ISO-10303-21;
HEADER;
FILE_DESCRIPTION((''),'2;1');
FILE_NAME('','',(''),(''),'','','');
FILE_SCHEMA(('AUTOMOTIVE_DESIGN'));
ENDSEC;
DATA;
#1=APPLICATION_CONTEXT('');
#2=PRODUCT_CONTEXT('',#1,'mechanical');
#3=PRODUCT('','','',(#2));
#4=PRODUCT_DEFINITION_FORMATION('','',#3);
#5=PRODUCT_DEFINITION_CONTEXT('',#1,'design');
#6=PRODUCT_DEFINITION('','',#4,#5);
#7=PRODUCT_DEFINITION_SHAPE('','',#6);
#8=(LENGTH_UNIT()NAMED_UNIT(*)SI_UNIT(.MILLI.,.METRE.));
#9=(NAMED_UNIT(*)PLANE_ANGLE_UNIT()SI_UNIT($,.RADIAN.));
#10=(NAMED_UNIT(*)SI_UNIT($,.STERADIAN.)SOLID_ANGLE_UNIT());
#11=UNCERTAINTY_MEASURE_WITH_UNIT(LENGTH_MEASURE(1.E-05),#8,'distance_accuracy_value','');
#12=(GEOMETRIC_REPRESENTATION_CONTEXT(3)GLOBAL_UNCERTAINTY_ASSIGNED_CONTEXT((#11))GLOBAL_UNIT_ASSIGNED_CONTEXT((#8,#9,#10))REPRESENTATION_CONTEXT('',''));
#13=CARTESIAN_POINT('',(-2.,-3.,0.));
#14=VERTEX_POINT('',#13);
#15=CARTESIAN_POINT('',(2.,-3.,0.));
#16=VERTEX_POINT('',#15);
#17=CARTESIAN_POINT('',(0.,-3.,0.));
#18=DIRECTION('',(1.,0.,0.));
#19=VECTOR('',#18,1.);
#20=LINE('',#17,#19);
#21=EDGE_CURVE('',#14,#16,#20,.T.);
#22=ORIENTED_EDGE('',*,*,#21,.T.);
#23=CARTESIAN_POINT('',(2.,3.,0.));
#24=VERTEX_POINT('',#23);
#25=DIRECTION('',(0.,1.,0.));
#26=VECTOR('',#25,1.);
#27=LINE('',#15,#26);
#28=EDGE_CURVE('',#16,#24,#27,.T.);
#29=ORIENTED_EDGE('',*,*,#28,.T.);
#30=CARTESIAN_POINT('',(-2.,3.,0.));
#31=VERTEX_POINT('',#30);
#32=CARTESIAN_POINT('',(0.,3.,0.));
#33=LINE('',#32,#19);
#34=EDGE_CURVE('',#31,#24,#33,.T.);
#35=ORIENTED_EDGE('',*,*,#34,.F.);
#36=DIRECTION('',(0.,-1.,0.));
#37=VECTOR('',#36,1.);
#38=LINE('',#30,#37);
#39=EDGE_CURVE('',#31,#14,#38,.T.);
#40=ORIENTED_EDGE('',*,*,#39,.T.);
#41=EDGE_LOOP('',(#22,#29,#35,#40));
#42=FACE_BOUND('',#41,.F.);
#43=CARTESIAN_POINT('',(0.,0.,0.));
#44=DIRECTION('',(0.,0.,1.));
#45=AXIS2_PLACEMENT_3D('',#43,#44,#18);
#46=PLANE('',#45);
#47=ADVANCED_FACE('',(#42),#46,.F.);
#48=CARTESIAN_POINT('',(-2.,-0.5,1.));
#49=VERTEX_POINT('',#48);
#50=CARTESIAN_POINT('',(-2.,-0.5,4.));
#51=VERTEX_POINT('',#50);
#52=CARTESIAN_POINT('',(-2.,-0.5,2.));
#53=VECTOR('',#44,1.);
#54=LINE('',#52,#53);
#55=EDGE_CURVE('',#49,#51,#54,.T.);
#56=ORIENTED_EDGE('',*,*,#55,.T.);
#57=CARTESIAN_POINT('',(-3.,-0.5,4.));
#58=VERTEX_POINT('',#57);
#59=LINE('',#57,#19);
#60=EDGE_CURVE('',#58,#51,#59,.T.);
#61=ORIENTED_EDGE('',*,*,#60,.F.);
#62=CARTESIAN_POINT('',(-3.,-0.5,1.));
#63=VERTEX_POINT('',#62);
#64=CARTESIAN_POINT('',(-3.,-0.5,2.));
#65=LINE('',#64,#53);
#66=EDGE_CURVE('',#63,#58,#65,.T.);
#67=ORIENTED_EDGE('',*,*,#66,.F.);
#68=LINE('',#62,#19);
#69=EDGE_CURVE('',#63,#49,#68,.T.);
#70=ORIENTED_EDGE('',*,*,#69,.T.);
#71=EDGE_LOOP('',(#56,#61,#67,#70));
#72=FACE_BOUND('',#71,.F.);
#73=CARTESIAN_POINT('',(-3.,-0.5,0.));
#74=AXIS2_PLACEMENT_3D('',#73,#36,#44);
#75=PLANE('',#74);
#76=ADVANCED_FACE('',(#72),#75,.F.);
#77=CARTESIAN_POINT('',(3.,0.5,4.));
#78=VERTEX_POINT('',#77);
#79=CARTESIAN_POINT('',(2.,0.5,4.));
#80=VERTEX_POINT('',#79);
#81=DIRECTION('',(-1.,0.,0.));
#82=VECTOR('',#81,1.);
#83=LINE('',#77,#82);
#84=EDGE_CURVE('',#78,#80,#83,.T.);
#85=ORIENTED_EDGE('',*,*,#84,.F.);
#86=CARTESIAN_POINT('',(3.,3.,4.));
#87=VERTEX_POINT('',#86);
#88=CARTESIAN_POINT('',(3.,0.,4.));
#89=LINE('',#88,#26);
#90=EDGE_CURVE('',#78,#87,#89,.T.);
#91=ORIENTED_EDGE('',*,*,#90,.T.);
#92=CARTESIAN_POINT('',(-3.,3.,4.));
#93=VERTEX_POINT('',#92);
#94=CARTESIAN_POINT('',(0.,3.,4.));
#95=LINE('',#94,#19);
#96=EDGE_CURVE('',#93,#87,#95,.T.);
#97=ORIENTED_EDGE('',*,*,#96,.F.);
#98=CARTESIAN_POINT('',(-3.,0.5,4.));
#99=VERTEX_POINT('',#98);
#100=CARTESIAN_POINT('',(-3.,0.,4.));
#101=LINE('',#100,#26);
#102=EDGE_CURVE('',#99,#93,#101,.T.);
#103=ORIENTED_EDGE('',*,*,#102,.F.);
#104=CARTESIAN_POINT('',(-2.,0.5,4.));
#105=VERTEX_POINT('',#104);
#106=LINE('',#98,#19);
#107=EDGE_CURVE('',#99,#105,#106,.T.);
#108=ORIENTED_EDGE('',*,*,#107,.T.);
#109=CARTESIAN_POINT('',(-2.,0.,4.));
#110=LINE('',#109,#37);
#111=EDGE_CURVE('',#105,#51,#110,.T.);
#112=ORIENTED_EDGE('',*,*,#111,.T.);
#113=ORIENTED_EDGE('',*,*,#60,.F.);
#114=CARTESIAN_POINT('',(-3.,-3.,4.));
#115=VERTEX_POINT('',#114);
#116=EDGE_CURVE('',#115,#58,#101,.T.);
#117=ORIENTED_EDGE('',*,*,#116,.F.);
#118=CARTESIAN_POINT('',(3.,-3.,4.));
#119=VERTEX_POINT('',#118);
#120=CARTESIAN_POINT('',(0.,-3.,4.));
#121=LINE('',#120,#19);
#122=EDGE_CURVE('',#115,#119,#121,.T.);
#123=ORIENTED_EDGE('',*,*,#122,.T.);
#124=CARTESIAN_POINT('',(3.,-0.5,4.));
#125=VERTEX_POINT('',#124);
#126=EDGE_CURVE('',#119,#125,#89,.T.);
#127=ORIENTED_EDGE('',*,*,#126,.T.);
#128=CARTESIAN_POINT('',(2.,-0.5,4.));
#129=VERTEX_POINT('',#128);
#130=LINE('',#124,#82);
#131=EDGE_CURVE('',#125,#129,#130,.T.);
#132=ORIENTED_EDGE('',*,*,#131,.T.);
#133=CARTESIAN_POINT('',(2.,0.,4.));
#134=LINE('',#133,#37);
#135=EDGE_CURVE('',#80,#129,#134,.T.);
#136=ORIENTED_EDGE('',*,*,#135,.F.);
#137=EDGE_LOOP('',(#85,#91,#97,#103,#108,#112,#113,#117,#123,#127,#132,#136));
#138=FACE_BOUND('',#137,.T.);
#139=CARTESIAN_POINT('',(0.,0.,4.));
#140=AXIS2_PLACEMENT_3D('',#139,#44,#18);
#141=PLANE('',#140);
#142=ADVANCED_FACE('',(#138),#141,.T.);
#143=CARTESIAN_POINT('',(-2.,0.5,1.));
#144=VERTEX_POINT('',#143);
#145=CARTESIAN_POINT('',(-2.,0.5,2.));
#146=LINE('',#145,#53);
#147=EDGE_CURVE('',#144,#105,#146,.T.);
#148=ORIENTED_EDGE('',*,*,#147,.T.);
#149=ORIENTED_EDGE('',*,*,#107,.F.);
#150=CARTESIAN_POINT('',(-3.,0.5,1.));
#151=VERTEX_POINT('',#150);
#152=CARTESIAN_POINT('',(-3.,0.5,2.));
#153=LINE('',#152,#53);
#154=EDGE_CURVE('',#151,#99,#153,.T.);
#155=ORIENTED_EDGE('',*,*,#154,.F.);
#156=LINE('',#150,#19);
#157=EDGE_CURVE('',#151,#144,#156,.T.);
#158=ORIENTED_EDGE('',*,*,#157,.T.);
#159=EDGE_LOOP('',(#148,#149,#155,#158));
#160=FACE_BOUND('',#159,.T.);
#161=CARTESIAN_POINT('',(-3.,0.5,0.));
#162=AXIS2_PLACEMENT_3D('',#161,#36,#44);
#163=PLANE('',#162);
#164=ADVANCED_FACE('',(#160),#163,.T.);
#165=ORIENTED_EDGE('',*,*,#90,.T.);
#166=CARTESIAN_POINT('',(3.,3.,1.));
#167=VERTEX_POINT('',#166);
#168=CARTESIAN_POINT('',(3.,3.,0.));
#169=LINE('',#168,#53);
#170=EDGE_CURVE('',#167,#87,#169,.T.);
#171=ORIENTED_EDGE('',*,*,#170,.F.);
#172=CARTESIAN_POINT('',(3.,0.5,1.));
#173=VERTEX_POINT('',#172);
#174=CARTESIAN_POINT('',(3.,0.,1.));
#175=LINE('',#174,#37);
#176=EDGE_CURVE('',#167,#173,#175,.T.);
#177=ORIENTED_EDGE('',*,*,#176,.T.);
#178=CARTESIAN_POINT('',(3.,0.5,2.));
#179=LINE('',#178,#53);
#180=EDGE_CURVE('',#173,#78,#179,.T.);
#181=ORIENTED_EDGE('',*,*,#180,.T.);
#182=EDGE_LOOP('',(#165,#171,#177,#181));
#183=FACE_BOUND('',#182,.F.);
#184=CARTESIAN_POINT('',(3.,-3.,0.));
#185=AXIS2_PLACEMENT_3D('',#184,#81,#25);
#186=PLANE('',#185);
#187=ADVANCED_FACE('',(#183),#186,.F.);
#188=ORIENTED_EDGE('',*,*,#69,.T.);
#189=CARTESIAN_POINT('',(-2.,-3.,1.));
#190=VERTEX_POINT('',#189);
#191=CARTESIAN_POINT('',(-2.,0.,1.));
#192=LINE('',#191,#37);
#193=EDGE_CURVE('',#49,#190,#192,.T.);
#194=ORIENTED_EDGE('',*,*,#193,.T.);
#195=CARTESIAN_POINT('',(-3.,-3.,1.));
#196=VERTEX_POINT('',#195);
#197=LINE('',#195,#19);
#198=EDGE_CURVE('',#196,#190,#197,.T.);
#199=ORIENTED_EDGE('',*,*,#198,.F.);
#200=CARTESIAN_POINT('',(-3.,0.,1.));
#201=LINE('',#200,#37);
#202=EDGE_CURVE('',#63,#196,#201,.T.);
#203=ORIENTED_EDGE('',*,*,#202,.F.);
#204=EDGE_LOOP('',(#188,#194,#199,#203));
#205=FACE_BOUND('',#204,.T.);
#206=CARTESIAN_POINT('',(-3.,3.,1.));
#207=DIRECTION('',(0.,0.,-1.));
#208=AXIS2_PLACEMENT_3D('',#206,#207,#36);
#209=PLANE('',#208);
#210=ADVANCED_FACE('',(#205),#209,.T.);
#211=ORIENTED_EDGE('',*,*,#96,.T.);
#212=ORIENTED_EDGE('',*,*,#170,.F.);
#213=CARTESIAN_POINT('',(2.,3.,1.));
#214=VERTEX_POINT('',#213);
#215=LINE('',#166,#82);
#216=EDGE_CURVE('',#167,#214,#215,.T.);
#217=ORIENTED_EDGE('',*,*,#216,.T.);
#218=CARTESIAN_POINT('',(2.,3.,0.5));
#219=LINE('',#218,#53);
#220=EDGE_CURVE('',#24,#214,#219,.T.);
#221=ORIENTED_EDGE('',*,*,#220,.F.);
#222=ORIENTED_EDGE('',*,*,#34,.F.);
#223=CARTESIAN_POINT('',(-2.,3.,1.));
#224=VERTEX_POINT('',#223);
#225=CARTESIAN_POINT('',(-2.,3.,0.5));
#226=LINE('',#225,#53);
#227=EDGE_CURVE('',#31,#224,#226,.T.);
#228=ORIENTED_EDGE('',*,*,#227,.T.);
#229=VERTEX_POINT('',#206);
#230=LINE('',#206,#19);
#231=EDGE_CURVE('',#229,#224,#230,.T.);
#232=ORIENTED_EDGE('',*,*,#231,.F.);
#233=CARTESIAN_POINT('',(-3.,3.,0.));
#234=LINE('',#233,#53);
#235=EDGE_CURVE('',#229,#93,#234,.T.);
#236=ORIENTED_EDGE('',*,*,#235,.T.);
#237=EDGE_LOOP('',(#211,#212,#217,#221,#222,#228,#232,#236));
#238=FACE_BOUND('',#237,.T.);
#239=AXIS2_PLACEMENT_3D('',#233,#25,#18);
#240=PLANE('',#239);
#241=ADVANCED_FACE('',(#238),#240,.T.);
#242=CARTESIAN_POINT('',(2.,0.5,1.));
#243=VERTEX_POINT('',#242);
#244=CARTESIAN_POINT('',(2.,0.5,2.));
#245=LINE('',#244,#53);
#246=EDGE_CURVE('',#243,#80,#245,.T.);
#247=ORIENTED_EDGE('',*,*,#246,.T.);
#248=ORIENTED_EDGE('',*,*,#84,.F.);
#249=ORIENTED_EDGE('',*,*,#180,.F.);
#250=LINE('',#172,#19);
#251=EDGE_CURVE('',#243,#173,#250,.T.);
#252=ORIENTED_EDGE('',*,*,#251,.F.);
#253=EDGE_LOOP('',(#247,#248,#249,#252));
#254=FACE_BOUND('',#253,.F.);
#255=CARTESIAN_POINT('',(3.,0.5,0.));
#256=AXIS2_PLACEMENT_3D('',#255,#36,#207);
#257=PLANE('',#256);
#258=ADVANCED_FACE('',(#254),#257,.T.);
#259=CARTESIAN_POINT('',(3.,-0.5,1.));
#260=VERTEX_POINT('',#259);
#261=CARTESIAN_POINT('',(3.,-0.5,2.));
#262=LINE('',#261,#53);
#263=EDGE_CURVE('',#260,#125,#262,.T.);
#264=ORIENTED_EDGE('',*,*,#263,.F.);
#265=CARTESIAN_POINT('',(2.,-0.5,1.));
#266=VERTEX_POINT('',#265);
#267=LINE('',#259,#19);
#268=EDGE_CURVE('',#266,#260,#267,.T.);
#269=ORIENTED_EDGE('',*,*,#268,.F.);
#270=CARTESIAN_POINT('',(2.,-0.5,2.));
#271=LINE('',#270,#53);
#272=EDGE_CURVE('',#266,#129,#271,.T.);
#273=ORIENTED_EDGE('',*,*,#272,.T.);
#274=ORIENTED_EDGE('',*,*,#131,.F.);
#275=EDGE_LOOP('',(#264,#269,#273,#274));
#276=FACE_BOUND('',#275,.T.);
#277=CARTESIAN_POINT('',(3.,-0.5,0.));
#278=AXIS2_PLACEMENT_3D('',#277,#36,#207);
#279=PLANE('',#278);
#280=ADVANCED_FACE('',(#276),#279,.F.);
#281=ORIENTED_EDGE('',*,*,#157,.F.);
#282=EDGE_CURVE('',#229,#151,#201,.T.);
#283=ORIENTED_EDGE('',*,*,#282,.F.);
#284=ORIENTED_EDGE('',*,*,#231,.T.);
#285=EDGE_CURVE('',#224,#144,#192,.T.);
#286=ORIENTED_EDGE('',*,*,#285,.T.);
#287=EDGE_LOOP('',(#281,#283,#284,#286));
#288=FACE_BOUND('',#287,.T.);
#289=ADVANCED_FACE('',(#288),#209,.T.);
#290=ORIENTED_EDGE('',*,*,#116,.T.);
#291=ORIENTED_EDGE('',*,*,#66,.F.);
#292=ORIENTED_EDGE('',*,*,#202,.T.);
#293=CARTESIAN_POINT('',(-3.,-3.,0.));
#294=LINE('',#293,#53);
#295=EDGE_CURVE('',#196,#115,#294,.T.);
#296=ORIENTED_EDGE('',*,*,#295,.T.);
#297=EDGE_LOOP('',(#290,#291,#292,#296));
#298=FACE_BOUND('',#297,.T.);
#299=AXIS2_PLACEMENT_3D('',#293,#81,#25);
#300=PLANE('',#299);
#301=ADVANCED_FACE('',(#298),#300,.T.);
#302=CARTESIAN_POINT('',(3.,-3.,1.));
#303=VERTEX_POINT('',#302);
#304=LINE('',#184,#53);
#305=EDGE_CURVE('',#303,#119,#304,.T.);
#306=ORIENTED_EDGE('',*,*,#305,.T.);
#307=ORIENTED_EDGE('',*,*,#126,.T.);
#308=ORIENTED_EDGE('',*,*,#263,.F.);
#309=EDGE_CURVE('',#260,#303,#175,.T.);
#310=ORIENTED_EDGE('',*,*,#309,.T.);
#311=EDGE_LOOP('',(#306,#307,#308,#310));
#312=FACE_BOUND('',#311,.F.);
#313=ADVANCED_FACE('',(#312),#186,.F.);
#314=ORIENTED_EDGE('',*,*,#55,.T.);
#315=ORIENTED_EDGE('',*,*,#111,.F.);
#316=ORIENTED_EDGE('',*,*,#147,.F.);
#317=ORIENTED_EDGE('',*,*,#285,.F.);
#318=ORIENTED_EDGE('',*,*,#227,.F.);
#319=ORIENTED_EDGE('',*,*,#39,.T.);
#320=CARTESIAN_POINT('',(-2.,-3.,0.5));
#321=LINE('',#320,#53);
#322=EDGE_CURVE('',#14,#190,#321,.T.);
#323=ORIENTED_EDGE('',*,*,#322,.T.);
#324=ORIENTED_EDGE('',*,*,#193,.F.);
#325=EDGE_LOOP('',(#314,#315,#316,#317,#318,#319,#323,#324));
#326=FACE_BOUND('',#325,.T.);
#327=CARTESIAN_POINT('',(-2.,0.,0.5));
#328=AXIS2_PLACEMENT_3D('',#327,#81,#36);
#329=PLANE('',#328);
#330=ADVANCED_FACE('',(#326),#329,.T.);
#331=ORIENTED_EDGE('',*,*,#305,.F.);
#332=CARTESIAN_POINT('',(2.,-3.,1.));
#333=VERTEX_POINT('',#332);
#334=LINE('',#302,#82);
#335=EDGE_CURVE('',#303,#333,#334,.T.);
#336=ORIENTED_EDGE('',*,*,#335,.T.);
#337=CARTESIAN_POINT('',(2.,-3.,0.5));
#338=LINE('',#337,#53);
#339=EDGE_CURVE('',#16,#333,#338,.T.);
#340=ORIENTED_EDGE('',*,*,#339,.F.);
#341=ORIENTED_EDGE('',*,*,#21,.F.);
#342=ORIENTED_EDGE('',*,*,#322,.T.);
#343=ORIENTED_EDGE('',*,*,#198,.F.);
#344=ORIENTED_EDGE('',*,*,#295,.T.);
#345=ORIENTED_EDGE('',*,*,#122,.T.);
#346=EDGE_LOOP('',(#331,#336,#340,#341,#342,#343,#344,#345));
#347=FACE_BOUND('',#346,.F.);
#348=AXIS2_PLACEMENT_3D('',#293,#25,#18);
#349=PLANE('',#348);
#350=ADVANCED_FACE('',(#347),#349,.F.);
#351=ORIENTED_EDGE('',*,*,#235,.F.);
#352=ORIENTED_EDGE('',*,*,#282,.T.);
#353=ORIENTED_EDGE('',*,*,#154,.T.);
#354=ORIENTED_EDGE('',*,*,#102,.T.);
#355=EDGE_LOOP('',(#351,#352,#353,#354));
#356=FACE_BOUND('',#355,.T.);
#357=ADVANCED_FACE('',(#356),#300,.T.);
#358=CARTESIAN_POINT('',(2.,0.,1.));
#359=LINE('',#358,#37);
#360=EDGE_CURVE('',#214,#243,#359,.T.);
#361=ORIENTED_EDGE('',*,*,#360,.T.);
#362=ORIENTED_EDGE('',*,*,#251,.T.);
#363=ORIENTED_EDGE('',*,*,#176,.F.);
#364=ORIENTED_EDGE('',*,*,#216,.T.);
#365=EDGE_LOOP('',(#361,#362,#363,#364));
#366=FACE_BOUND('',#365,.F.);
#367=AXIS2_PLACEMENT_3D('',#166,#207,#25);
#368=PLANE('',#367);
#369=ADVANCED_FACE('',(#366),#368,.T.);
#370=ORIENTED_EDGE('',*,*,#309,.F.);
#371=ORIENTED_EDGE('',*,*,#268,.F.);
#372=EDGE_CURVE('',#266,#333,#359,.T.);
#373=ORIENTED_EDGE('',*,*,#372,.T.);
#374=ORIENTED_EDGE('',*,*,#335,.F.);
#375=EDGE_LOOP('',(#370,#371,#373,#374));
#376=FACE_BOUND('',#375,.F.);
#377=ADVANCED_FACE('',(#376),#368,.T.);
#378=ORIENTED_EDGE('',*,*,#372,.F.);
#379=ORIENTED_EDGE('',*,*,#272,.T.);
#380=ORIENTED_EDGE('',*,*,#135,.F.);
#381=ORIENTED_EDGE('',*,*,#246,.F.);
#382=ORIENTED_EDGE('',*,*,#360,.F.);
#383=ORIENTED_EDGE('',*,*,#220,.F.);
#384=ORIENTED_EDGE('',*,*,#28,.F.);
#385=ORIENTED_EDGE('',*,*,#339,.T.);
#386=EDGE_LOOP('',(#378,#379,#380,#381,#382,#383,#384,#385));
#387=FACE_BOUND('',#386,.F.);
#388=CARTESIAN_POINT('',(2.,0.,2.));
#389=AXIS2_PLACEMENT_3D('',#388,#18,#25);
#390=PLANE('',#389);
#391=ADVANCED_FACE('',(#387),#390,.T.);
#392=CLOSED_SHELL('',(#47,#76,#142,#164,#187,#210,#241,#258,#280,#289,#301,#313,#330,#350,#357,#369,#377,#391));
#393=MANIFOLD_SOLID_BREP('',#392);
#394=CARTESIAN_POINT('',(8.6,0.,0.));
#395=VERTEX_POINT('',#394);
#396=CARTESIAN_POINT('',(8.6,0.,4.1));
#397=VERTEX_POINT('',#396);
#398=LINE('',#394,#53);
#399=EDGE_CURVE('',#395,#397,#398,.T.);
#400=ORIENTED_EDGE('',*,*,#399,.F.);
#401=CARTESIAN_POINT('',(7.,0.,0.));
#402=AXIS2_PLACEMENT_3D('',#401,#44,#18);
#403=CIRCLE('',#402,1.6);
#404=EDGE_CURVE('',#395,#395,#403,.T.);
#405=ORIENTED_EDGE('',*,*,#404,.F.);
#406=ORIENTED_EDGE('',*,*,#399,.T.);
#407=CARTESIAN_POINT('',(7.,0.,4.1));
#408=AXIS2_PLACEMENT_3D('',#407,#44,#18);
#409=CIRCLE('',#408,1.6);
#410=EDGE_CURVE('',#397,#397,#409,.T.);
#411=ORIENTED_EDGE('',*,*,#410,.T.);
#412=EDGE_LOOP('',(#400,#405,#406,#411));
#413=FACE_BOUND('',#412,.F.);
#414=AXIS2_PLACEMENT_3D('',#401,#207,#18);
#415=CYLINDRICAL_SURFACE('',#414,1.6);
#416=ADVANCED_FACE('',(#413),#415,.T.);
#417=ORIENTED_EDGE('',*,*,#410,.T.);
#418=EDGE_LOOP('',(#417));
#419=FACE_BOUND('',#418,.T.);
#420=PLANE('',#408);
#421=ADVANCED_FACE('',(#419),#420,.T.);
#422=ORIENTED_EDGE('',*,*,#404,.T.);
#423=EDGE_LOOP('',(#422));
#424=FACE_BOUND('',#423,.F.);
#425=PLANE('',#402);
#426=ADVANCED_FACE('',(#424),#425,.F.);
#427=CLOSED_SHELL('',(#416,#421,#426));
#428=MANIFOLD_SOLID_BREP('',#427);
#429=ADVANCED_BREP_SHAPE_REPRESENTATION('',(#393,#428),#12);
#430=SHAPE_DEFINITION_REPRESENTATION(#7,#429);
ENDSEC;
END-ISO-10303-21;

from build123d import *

# Parameters (mm, degrees)
SKETCH_W        = 6
SKETCH_H        = 6
PAD_DEPTH       = 4
SKETCH002_W     = 1
SKETCH002_H     = 4
POCKET_DEPTH    = 1
SKETCH003_W     = 6
SKETCH003_H     = 1
POCKET001_DEPTH = 1
SKETCH001_R     = 1.6
PAD001_DEPTH    = 4.1


with BuildPart() as body:
    # Sketch → Pad (new body)
    with BuildSketch(Plane.XY):
        Rectangle(SKETCH_W, SKETCH_H)
    extrude(amount=PAD_DEPTH)

    # Sketch002 (on Face4 of Pad) → Pocket (cut)
    with BuildSketch(Plane(origin=(-3, 0, 0), x_dir=(0, -1, 0), z_dir=(-1, 0, 0))):
        with Locations((0, 2)):
            Rectangle(SKETCH002_W, SKETCH002_H)
    pocket = extrude(amount=-POCKET_DEPTH, mode=Mode.SUBTRACT)

    # Mirrored: Pocket across YZ
    add(pocket.mirror(Plane.YZ), mode=Mode.SUBTRACT)

    # Sketch003 (on Face12 of Mirrored) → Pocket001 (cut)
    with BuildSketch(Plane(origin=(-3, 0, 0), x_dir=(0, -1, 0), z_dir=(-1, 0, 0))):
        with Locations((0, 0.5)):
            Rectangle(SKETCH003_W, SKETCH003_H)
    pocket001 = extrude(amount=-POCKET001_DEPTH, mode=Mode.SUBTRACT)

    # Mirrored001: Pocket001 across YZ
    add(pocket001.mirror(Plane.YZ), mode=Mode.SUBTRACT)


with BuildPart() as body001:
    # Sketch001 → Pad001 (new body)
    with BuildSketch(Plane.XY):
        with Locations((7, 0)):
            Circle(SKETCH001_R)
    extrude(amount=PAD001_DEPTH)


solid = Compound([body.part, body001.part])
